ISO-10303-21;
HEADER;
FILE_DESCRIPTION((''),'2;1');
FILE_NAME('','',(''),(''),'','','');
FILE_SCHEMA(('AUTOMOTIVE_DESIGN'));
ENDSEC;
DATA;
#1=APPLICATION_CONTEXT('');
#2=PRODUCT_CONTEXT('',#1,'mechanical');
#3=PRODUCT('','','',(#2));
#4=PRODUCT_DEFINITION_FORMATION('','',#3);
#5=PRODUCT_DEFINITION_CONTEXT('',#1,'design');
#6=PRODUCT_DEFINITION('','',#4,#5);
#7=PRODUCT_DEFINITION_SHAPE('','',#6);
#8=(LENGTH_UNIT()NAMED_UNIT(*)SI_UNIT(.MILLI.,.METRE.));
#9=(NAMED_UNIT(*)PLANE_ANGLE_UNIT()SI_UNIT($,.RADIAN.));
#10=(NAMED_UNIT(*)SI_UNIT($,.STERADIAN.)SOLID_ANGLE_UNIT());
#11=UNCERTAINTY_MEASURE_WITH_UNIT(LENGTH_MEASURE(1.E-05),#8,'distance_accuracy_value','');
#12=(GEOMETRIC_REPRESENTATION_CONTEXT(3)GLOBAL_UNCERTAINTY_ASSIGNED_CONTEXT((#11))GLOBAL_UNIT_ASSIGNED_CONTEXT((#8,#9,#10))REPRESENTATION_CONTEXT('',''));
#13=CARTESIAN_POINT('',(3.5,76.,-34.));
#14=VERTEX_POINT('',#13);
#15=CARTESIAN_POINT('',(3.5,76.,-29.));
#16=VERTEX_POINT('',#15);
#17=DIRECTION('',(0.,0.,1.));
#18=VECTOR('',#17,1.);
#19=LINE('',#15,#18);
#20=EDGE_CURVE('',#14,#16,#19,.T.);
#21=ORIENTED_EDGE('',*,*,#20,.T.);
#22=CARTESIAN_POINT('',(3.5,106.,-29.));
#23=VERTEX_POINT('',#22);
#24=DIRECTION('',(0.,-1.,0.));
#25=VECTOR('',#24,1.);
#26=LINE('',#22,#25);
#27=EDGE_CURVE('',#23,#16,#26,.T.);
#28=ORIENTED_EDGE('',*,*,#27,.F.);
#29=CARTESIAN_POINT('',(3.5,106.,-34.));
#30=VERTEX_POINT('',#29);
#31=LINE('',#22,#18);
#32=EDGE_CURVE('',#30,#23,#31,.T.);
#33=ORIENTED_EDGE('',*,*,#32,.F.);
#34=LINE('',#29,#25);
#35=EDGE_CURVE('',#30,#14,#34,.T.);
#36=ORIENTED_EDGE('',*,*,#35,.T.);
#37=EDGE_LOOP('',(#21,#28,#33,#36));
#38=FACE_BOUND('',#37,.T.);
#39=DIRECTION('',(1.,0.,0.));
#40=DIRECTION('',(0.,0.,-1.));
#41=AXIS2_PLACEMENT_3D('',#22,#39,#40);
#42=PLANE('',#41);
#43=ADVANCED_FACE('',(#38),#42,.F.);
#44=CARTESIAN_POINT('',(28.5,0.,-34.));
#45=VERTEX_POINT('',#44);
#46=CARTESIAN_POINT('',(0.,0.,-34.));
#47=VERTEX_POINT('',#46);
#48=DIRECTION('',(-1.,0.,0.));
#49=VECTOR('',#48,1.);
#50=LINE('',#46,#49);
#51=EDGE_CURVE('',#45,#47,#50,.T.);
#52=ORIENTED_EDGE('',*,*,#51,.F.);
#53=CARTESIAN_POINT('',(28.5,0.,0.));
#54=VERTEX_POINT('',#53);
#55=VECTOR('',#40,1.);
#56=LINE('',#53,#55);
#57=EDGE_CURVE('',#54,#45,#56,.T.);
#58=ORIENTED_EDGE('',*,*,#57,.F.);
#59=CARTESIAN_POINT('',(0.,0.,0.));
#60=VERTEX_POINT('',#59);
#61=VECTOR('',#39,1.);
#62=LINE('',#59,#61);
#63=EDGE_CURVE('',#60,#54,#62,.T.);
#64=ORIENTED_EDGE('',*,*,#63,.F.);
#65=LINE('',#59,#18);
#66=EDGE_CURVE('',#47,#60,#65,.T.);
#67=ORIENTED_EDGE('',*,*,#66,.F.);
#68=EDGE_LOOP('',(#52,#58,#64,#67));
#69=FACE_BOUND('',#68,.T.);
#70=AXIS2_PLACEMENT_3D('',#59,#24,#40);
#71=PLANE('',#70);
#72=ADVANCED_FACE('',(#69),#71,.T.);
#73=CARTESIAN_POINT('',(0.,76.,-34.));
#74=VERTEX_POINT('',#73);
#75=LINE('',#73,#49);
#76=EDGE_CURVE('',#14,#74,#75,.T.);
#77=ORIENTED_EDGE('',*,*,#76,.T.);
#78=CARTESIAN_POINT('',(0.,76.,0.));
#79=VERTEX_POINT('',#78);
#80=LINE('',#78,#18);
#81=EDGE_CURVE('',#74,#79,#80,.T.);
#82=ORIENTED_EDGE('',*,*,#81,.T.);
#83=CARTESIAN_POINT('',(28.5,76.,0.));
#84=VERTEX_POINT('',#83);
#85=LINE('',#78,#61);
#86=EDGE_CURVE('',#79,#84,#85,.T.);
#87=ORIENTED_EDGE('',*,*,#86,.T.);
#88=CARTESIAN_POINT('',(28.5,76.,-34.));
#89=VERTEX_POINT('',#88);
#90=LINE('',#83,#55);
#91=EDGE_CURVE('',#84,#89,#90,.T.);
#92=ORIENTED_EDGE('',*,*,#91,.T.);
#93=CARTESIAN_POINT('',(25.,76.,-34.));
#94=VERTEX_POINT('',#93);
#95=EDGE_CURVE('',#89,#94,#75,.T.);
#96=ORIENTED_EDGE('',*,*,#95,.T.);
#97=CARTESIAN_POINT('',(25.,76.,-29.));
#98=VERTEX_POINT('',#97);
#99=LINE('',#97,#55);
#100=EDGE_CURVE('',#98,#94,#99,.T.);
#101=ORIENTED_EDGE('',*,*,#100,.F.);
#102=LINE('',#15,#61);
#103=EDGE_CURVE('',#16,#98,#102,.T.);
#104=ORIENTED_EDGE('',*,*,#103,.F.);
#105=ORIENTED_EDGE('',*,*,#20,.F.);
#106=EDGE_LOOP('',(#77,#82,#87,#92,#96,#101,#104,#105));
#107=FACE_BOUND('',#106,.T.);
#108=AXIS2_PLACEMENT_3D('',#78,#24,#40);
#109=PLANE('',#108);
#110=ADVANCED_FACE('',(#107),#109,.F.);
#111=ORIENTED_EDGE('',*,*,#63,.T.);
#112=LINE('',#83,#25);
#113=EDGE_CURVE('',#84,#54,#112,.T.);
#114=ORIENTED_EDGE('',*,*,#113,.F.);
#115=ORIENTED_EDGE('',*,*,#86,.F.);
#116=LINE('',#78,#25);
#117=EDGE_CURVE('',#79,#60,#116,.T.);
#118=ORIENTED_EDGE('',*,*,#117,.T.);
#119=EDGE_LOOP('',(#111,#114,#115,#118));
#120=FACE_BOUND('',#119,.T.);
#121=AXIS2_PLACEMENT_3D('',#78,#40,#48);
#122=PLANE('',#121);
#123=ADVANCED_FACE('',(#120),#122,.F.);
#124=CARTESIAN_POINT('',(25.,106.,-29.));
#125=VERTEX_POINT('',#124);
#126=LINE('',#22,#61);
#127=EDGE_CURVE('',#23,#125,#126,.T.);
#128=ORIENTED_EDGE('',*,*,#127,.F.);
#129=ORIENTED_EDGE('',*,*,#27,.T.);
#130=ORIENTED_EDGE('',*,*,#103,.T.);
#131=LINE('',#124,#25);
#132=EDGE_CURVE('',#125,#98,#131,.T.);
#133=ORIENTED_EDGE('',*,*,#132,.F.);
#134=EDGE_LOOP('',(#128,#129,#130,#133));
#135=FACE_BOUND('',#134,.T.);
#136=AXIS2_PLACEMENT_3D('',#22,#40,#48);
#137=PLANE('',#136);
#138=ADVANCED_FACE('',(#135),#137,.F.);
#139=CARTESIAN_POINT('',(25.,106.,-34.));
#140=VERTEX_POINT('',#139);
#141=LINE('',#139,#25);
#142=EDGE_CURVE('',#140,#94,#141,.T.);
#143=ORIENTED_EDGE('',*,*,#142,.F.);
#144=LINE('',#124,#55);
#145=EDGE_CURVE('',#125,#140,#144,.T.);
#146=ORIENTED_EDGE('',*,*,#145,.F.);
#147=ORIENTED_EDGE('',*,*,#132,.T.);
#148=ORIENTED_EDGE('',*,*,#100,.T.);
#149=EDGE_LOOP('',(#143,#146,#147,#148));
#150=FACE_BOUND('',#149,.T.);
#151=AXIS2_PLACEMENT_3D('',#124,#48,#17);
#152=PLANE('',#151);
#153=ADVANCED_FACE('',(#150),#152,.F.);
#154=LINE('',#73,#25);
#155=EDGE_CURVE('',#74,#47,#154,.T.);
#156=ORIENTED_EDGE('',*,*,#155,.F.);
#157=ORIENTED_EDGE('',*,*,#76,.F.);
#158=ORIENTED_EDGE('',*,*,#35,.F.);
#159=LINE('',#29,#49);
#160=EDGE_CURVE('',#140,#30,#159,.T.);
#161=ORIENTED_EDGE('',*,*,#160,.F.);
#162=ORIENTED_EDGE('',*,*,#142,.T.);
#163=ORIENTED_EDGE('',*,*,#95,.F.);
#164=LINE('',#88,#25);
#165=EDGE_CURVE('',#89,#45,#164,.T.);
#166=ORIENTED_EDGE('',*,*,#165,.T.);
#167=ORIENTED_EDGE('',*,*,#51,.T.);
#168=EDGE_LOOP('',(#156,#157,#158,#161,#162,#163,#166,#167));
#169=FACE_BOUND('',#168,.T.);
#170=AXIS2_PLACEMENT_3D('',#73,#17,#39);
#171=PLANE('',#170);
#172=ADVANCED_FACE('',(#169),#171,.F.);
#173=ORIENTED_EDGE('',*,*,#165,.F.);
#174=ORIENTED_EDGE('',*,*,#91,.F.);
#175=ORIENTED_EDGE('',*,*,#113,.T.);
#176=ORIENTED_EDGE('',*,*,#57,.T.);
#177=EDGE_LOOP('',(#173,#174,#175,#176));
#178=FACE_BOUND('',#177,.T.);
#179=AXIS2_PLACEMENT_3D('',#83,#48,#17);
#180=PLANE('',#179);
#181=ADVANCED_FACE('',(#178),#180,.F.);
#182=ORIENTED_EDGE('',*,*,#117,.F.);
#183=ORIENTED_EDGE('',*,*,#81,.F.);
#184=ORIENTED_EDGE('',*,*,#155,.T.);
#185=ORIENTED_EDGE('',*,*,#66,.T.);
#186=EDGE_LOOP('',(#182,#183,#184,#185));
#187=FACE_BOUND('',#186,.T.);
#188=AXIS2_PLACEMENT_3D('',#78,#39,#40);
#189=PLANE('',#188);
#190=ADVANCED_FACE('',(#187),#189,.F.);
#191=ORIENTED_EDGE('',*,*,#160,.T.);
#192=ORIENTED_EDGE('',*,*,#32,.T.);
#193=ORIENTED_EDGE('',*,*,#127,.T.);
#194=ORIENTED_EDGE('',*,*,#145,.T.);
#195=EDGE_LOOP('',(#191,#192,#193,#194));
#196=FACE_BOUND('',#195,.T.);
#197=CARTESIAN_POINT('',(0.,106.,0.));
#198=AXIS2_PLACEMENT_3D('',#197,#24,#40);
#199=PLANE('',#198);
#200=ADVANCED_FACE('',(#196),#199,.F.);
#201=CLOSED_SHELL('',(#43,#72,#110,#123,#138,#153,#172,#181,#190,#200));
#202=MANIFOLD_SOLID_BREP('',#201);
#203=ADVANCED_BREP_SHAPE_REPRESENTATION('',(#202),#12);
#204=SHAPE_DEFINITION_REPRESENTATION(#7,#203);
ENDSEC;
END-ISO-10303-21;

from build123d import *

# Parameters (mm, degrees)
SKETCH1_W           = 28.5
SKETCH1_H           = 34
BOSS_EXTRUDE1_DEPTH = 76
SKETCH2_W           = 21.5
SKETCH2_H           = 5
BOSS_EXTRUDE2_DEPTH = 30


with BuildPart() as part:
    # Sketch1 → Boss-Extrude1 (new body)
    with BuildSketch(Plane(origin=(0, 0, 0), x_dir=(1, 0, 0), z_dir=(0, 1, 0))):
        with Locations((14.25, 17)):
            Rectangle(SKETCH1_W, SKETCH1_H)
    extrude(amount=BOSS_EXTRUDE1_DEPTH)

    # Sketch2 → Boss-Extrude2 (add)
    with BuildSketch(Plane(origin=(0, 76, 0), x_dir=(1, 0, 0), z_dir=(0, 1, 0))):
        with Locations((14.25, 31.5)):
            Rectangle(SKETCH2_W, SKETCH2_H)
    extrude(amount=BOSS_EXTRUDE2_DEPTH)


solid = part.part
